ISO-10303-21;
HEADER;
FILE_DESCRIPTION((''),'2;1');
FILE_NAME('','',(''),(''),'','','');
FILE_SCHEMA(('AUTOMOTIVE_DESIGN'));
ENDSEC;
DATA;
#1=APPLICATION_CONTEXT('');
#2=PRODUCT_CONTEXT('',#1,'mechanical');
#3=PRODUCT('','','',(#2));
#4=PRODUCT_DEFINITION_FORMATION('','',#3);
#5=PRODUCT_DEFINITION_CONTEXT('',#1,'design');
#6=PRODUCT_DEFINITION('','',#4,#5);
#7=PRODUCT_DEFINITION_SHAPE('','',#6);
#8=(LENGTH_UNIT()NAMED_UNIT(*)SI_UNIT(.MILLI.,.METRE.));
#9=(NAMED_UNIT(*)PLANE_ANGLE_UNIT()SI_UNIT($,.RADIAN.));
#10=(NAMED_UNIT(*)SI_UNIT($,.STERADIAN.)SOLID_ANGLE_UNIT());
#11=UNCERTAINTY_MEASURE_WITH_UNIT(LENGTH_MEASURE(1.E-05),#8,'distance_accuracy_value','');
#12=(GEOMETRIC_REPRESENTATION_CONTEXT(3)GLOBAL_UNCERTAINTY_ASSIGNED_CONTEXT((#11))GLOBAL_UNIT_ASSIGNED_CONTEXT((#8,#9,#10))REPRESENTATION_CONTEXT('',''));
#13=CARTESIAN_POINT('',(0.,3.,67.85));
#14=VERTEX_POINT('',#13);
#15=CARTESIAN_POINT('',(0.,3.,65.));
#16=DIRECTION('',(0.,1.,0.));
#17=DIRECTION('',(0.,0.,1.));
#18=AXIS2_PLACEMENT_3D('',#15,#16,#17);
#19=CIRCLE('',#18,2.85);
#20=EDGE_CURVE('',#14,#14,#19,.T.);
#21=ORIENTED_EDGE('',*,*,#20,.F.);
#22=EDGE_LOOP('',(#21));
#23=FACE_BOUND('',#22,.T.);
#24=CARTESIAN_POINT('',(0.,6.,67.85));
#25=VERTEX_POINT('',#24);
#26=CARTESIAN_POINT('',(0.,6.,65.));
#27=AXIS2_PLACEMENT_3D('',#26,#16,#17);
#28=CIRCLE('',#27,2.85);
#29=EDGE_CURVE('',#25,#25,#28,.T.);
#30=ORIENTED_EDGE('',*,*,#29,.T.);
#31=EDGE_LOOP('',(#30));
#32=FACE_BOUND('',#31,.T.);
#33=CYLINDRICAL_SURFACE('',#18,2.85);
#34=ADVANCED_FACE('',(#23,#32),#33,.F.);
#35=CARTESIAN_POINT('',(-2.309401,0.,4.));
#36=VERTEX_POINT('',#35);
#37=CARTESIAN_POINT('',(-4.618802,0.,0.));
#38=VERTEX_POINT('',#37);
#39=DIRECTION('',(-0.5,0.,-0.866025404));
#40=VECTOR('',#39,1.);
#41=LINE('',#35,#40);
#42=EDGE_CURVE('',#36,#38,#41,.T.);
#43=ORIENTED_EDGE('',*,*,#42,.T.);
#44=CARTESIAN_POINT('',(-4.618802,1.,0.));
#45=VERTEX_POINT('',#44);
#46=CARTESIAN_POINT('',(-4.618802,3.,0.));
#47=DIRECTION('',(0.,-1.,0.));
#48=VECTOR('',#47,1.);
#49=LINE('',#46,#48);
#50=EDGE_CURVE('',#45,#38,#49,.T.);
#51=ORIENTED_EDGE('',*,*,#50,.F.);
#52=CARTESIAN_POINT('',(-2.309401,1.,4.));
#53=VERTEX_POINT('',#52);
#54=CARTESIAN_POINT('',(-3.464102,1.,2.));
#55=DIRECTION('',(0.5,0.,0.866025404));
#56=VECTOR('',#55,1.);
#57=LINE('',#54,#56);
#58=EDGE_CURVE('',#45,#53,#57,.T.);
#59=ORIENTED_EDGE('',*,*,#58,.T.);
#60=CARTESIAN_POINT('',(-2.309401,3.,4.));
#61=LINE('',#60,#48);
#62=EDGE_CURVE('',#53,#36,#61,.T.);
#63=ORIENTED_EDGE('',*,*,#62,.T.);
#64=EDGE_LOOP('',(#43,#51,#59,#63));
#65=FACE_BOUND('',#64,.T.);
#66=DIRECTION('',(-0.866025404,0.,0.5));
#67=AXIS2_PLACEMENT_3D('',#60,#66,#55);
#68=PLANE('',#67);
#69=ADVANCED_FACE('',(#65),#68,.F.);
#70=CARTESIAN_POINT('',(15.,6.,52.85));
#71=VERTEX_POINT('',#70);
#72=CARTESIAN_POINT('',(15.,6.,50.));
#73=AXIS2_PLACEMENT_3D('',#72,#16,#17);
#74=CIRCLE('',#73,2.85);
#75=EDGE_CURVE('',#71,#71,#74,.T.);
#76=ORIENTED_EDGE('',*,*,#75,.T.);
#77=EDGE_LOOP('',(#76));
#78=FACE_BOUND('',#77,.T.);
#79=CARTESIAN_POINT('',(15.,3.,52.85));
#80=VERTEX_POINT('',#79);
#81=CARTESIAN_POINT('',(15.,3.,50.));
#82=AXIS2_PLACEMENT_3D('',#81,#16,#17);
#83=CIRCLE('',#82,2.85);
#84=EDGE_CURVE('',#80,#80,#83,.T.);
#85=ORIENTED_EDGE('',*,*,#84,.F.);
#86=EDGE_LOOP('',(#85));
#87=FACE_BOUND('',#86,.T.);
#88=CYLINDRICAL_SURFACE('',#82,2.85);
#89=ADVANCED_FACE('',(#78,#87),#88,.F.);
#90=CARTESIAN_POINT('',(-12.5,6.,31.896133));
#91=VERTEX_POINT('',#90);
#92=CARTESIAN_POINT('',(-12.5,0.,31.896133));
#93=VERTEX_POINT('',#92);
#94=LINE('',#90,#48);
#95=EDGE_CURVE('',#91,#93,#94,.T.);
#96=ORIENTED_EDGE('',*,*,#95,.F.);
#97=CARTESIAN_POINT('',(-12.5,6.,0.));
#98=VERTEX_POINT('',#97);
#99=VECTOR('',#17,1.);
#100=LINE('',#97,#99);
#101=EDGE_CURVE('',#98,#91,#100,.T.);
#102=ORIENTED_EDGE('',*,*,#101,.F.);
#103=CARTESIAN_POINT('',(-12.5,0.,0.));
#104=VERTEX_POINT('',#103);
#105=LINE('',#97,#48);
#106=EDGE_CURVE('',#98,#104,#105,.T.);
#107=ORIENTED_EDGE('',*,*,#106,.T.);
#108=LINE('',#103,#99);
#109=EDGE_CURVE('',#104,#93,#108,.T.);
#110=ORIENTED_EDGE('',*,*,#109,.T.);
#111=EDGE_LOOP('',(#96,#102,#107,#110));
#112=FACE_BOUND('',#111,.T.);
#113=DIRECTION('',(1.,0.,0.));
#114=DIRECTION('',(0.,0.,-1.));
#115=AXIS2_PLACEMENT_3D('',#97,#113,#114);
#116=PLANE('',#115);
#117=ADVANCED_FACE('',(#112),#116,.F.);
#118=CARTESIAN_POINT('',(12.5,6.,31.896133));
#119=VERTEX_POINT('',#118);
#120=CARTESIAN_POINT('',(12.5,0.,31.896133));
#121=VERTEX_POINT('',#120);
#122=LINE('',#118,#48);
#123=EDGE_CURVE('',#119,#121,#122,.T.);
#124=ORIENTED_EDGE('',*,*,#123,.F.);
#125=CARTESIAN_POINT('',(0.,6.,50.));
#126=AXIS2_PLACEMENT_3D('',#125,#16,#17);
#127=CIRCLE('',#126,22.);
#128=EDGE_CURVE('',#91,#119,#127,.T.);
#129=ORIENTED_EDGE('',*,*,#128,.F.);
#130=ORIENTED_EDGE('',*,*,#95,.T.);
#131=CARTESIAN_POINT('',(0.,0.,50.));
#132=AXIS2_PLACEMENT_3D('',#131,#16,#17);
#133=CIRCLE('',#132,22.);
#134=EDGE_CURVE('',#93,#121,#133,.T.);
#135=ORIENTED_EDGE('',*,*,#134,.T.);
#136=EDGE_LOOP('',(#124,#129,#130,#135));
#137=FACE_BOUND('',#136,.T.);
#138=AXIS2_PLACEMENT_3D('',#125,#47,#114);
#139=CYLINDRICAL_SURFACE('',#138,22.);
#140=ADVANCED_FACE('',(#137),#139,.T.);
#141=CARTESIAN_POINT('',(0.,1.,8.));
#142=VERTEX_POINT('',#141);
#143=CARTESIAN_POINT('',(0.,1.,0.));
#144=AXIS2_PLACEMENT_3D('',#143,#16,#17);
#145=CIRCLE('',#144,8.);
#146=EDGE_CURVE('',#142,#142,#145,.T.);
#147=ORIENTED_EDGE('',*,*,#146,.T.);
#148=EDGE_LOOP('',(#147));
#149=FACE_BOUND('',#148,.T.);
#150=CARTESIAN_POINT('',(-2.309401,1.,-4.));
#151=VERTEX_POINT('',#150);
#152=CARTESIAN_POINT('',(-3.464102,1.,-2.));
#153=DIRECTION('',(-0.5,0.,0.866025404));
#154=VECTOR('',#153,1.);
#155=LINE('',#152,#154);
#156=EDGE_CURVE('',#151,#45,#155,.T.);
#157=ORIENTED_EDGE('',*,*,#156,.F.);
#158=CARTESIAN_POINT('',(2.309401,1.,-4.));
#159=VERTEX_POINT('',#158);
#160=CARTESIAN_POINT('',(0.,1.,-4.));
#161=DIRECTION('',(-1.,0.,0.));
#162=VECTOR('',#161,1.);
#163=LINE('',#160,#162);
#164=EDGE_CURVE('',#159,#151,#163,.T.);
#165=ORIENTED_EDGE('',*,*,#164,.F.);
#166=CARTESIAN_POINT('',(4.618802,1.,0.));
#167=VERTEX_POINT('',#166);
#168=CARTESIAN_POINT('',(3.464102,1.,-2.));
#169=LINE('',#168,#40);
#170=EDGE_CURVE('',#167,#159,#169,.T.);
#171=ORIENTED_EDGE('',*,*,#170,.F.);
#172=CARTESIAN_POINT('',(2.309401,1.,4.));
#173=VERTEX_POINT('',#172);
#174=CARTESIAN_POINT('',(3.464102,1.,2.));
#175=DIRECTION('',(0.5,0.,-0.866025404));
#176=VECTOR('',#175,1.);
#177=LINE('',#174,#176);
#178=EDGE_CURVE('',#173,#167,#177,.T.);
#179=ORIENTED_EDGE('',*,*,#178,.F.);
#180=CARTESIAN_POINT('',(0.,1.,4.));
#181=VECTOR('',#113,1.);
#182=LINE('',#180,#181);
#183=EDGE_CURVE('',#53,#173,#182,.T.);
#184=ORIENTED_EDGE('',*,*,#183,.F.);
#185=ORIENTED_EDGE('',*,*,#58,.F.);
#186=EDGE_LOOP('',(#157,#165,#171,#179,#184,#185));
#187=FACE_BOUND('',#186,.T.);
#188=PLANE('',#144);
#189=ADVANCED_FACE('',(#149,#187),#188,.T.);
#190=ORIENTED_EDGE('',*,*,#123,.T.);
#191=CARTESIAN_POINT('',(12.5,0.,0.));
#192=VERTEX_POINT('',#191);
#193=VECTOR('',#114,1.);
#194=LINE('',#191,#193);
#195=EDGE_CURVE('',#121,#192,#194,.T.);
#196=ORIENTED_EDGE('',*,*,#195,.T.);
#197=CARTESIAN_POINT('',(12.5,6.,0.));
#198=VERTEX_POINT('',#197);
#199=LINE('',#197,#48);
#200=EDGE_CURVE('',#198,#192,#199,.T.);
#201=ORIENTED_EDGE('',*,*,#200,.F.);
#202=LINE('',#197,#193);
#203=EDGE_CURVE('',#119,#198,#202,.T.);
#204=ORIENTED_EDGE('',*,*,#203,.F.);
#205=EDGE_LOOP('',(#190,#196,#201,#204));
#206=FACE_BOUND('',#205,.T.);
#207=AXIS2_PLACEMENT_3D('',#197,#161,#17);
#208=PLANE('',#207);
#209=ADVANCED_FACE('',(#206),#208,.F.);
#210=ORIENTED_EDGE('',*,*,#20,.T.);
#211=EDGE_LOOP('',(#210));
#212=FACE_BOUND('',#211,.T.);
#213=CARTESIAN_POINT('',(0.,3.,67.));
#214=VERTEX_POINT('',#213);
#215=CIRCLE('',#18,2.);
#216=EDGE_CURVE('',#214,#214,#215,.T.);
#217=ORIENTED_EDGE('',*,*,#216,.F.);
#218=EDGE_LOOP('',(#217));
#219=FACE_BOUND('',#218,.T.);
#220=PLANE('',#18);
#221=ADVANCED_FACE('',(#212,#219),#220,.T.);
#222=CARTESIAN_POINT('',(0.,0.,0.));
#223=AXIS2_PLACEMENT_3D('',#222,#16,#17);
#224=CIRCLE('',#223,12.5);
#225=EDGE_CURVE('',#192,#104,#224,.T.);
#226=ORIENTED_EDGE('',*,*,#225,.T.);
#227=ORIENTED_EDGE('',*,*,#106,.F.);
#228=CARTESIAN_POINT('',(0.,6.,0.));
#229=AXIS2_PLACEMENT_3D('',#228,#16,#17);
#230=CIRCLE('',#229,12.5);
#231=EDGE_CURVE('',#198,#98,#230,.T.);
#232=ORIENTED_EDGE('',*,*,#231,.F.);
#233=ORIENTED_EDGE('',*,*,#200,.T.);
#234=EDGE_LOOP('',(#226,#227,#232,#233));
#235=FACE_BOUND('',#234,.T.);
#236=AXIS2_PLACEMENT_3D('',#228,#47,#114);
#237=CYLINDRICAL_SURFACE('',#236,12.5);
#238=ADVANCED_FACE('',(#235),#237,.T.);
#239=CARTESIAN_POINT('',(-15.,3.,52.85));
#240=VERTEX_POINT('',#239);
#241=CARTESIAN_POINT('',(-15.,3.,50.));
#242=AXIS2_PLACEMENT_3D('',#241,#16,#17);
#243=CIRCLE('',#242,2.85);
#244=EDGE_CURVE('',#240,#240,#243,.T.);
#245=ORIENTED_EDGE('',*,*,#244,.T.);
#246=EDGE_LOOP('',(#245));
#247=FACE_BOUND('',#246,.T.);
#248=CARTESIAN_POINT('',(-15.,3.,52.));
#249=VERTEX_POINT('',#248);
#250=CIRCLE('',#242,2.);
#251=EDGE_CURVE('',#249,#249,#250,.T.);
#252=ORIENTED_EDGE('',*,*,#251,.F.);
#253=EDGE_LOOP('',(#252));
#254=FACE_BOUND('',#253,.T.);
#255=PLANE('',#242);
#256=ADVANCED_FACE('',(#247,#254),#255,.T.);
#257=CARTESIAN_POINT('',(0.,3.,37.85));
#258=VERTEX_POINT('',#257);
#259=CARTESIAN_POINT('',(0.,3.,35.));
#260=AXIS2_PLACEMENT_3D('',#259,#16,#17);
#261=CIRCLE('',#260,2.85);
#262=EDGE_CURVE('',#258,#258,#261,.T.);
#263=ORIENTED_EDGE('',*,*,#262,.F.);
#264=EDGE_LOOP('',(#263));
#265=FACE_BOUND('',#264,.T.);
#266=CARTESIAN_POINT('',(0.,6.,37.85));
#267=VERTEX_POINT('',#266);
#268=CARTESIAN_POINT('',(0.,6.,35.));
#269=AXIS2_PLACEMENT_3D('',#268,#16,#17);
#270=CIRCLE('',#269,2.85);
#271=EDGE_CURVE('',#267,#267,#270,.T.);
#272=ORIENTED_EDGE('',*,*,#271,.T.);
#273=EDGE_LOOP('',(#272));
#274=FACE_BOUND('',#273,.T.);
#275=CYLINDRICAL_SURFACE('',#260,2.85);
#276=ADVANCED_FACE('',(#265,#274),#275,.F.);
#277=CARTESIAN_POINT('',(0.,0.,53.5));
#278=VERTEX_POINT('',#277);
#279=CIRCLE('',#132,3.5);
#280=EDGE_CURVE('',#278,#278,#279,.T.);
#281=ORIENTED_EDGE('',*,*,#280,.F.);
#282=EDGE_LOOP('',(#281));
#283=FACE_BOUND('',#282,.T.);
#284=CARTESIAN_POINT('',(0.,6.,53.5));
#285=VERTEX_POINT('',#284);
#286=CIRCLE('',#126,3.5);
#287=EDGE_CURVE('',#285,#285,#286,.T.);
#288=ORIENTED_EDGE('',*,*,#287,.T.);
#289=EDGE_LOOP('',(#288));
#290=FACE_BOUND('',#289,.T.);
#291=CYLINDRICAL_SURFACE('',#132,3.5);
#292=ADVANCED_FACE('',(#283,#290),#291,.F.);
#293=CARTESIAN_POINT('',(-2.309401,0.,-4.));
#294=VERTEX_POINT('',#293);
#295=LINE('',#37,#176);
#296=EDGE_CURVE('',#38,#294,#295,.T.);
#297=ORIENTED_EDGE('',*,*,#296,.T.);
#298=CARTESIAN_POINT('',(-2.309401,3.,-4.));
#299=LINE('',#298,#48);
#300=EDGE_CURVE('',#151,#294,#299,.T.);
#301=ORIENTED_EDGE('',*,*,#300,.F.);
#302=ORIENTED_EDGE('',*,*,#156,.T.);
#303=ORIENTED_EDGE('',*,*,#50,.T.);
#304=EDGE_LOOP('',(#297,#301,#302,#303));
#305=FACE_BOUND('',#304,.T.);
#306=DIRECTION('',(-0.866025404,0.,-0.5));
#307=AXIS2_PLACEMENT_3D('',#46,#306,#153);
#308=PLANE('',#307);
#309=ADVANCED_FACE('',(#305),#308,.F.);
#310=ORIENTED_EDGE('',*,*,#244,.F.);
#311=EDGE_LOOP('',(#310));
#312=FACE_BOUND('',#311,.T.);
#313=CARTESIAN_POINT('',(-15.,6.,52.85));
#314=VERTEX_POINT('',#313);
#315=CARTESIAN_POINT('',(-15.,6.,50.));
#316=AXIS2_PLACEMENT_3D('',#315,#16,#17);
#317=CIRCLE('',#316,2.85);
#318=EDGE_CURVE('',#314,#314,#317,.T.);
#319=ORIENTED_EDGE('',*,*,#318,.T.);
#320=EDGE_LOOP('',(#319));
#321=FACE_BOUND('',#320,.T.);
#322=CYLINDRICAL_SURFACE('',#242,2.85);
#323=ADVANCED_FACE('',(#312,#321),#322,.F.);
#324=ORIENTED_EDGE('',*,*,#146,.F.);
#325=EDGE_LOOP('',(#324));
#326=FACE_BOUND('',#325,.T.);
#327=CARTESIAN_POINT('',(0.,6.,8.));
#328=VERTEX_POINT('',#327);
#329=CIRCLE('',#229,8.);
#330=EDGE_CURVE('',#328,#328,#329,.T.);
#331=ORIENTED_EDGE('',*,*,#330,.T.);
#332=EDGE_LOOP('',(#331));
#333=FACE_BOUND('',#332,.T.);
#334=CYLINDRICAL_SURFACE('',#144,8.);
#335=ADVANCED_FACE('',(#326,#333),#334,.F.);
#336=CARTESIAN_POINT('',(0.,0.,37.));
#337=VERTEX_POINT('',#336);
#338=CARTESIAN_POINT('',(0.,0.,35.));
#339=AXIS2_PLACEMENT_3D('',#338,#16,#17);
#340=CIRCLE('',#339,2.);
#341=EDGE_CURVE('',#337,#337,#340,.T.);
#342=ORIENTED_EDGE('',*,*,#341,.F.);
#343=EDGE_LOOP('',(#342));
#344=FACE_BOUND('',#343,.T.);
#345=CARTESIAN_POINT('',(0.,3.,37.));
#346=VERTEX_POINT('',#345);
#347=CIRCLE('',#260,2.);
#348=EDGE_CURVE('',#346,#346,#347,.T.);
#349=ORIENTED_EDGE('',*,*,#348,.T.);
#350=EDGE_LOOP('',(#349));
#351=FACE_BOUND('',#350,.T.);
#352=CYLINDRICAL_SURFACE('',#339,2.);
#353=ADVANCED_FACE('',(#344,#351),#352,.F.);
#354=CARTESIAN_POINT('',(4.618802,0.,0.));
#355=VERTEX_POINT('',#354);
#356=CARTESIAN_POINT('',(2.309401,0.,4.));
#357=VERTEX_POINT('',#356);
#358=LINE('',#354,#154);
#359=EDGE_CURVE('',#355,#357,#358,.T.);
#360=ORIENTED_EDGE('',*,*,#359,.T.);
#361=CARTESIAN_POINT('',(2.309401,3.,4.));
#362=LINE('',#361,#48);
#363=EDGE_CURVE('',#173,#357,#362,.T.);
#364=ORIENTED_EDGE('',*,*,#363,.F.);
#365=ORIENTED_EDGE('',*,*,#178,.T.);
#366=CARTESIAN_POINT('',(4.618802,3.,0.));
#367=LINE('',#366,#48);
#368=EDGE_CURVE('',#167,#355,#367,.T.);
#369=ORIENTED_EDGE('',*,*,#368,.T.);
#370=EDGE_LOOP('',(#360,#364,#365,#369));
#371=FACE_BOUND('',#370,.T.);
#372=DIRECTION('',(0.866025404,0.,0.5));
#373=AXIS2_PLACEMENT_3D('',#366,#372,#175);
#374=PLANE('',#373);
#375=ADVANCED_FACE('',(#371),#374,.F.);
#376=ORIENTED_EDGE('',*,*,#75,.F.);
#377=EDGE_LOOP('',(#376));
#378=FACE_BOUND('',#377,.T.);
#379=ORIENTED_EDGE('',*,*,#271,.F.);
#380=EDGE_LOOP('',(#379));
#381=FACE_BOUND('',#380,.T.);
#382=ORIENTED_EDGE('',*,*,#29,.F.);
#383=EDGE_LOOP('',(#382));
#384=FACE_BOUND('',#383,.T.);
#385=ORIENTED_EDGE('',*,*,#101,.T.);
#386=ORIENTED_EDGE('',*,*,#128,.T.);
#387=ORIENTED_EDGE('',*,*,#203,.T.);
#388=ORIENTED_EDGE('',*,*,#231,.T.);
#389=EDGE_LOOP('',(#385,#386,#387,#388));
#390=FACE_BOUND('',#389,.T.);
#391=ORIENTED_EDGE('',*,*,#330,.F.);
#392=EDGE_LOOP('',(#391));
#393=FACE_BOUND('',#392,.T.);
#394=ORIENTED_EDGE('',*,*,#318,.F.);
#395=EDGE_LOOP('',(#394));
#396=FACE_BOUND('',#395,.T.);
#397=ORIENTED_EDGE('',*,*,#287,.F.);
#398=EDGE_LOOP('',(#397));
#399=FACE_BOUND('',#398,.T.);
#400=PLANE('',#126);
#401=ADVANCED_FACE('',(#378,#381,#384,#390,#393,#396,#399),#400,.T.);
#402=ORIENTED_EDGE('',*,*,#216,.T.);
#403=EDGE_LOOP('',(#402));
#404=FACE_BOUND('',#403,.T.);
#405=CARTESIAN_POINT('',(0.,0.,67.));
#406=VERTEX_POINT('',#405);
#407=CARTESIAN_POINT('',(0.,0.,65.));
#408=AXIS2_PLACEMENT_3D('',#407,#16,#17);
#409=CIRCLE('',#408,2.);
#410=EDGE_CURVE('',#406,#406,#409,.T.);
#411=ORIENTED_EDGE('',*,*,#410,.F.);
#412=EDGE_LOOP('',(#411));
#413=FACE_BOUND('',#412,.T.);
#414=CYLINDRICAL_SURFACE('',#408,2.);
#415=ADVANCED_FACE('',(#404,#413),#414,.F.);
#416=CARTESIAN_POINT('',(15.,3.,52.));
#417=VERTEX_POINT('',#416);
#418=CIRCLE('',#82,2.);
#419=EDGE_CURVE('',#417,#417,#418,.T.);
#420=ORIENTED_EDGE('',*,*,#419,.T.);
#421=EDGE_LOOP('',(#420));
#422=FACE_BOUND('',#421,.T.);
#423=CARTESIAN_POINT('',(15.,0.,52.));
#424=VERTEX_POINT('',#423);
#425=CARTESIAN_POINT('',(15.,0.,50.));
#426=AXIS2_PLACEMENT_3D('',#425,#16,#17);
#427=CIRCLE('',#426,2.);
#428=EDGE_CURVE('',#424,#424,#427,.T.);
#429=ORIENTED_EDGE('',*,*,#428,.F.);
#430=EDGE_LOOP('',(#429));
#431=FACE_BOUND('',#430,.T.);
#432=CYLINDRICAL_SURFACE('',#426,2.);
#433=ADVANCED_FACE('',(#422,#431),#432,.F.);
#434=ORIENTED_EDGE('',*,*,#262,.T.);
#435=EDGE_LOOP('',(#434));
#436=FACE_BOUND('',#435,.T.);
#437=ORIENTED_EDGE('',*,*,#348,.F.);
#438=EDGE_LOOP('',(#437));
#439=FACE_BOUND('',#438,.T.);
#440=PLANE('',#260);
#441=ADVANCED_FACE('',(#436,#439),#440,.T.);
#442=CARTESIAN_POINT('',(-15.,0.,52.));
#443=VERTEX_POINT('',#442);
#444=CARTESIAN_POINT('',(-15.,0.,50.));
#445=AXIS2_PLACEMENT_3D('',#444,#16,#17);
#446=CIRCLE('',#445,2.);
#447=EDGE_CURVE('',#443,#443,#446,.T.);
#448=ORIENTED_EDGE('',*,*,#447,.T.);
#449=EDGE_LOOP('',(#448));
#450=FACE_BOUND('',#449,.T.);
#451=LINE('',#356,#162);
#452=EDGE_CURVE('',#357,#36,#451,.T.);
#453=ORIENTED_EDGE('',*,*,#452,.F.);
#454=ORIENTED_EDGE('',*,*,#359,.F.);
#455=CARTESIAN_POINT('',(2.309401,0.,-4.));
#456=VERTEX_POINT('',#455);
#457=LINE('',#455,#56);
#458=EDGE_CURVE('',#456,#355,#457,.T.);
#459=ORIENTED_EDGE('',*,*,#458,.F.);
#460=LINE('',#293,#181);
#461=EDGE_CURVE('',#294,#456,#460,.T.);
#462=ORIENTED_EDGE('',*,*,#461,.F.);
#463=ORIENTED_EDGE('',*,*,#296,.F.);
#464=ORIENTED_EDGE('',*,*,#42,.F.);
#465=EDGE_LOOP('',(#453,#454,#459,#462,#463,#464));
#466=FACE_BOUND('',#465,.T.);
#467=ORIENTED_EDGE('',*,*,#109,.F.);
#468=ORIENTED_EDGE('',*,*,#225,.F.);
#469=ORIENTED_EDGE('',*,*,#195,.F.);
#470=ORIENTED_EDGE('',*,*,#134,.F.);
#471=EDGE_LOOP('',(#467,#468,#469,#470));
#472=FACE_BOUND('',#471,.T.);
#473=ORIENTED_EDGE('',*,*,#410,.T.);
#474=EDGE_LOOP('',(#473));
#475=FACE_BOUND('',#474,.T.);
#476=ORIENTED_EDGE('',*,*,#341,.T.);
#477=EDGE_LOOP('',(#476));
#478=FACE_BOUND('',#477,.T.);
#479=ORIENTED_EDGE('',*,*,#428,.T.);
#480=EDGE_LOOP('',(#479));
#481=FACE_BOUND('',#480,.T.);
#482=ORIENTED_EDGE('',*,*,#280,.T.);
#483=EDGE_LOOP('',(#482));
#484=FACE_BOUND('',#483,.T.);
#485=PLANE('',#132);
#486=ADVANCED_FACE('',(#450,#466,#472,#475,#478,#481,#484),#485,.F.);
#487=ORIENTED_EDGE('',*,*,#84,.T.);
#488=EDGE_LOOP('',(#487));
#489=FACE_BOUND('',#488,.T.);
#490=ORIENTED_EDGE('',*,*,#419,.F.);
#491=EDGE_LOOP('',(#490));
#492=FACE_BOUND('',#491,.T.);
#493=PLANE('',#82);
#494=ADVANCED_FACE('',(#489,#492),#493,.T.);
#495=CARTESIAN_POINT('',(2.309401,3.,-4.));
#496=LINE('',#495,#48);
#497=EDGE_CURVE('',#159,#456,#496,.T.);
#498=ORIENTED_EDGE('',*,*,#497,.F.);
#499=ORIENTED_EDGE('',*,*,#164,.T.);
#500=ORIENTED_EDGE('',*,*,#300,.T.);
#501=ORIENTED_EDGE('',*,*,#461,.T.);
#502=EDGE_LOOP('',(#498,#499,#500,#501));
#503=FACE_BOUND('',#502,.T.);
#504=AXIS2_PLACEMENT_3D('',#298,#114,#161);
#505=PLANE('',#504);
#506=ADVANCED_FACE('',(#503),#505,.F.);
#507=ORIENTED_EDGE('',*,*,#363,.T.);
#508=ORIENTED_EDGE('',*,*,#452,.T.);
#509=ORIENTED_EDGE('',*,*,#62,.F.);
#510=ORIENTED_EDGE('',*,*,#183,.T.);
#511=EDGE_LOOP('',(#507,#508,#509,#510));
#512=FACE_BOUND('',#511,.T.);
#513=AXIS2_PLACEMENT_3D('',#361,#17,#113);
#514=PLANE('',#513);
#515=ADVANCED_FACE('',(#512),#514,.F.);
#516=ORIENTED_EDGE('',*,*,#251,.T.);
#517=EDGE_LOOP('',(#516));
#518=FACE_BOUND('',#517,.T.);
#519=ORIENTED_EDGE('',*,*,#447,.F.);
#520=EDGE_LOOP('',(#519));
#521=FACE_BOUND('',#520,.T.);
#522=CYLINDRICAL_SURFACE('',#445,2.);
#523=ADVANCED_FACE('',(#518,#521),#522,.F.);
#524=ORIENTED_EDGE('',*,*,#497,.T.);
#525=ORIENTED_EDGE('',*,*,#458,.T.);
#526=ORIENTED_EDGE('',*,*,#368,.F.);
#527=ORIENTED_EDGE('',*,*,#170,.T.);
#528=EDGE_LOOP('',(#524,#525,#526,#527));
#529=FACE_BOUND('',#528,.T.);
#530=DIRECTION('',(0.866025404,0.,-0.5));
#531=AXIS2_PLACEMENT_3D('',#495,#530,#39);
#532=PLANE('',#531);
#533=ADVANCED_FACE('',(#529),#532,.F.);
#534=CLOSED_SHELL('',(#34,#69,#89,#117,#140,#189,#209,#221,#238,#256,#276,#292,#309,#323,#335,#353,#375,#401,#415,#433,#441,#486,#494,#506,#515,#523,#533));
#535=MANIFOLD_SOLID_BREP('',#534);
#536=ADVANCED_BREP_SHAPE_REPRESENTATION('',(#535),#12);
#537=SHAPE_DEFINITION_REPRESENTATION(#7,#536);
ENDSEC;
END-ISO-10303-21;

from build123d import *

# Parameters (mm, degrees)
BOSS_EXTRUDE1_DEPTH = 6
SKETCH2_R           = 2.85
CUT_EXTRUDE1_DEPTH  = 3
SKETCH3_R           = 2
SKETCH3_R_2         = 3.5
CUT_EXTRUDE2_DEPTH  = 76.524830354
SKETCH4_R           = 8
CUT_EXTRUDE3_DEPTH  = 5
SKETCH5_R           = 3.5
CUT_EXTRUDE4_DEPTH  = 76.524830354
CUT_EXTRUDE5_DEPTH  = 3


with BuildPart() as part:
    # Sketch1 → Boss-Extrude1 (new body)
    with BuildSketch(Plane(origin=(0, 0, 0), x_dir=(1, 0, 0), z_dir=(0, 1, 0))):
        with BuildLine():
            Line((-12.5, 0), (-12.5, -31.89613301))
            ThreePointArc((-12.5, -31.89613301), (0, -72), (12.5, -31.89613301))
            Line((12.5, -31.89613301), (12.5, 0))
            ThreePointArc((12.5, 0), (0, 12.5), (-12.5, 0))
        make_face()
    extrude(amount=BOSS_EXTRUDE1_DEPTH)

    # Sketch2 → Cut-Extrude1 (cut)
    with BuildSketch(Plane(origin=(0, 6, 0), x_dir=(1, 0, 0), z_dir=(0, 1, 0))):
        with Locations(Location((0, -35, 0), (0, 0, 270))):
            Circle(SKETCH2_R)
        with Locations(Location((15, -50, 0), (0, 0, 270))):
            Circle(SKETCH2_R)
        with Locations(Location((0, -65, 0), (0, 0, 270))):
            Circle(SKETCH2_R)
        with Locations(Location((-15, -50, 0), (0, 0, 270))):
            Circle(SKETCH2_R)
    extrude(amount=-CUT_EXTRUDE1_DEPTH, mode=Mode.SUBTRACT)

    # Sketch3 → Cut-Extrude2 (cut, through all)
    with BuildSketch(Plane(origin=(0, 6, 0), x_dir=(1, 0, 0), z_dir=(0, 1, 0))):
        with Locations(Location((0, -35, 0), (0, 0, 270))):
            Circle(SKETCH3_R)
        with Locations(Location((15, -50, 0), (0, 0, 270))):
            Circle(SKETCH3_R)
        with Locations(Location((0, -65, 0), (0, 0, 270))):
            Circle(SKETCH3_R)
        with Locations(Location((-15, -50, 0), (0, 0, 270))):
            Circle(SKETCH3_R)
        with Locations(Location((0, -50, 0), (0, 0, 270))):
            Circle(SKETCH3_R_2)
    extrude(amount=-CUT_EXTRUDE2_DEPTH, mode=Mode.SUBTRACT)

    # Sketch4 → Cut-Extrude3 (cut)
    with BuildSketch(Plane(origin=(0, 6, 0), x_dir=(1, 0, 0), z_dir=(0, 1, 0))):
        with Locations(Location((0, 0, 0), (0, 0, 270))):
            Circle(SKETCH4_R)
    extrude(amount=-CUT_EXTRUDE3_DEPTH, mode=Mode.SUBTRACT)

    # Sketch5 → Cut-Extrude4 (cut, through all)
    with BuildSketch(Plane(origin=(0, 6, 0), x_dir=(1, 0, 0), z_dir=(0, 1, 0))):
        with Locations(Location((0, 0, 0), (0, 0, 270))):
            Circle(SKETCH5_R)
    extrude(amount=-CUT_EXTRUDE4_DEPTH, mode=Mode.SUBTRACT)

    # Sketch6 → Cut-Extrude5 (cut)
    with BuildSketch(Plane.XZ):
        Polygon((4.618802154, 0), (2.309401077, 4), (-2.309401077, 4), (-4.618802154, 0), (-2.309401077, -4), (2.309401077, -4), align=None)
    extrude(amount=-CUT_EXTRUDE5_DEPTH, mode=Mode.SUBTRACT)


solid = part.part
